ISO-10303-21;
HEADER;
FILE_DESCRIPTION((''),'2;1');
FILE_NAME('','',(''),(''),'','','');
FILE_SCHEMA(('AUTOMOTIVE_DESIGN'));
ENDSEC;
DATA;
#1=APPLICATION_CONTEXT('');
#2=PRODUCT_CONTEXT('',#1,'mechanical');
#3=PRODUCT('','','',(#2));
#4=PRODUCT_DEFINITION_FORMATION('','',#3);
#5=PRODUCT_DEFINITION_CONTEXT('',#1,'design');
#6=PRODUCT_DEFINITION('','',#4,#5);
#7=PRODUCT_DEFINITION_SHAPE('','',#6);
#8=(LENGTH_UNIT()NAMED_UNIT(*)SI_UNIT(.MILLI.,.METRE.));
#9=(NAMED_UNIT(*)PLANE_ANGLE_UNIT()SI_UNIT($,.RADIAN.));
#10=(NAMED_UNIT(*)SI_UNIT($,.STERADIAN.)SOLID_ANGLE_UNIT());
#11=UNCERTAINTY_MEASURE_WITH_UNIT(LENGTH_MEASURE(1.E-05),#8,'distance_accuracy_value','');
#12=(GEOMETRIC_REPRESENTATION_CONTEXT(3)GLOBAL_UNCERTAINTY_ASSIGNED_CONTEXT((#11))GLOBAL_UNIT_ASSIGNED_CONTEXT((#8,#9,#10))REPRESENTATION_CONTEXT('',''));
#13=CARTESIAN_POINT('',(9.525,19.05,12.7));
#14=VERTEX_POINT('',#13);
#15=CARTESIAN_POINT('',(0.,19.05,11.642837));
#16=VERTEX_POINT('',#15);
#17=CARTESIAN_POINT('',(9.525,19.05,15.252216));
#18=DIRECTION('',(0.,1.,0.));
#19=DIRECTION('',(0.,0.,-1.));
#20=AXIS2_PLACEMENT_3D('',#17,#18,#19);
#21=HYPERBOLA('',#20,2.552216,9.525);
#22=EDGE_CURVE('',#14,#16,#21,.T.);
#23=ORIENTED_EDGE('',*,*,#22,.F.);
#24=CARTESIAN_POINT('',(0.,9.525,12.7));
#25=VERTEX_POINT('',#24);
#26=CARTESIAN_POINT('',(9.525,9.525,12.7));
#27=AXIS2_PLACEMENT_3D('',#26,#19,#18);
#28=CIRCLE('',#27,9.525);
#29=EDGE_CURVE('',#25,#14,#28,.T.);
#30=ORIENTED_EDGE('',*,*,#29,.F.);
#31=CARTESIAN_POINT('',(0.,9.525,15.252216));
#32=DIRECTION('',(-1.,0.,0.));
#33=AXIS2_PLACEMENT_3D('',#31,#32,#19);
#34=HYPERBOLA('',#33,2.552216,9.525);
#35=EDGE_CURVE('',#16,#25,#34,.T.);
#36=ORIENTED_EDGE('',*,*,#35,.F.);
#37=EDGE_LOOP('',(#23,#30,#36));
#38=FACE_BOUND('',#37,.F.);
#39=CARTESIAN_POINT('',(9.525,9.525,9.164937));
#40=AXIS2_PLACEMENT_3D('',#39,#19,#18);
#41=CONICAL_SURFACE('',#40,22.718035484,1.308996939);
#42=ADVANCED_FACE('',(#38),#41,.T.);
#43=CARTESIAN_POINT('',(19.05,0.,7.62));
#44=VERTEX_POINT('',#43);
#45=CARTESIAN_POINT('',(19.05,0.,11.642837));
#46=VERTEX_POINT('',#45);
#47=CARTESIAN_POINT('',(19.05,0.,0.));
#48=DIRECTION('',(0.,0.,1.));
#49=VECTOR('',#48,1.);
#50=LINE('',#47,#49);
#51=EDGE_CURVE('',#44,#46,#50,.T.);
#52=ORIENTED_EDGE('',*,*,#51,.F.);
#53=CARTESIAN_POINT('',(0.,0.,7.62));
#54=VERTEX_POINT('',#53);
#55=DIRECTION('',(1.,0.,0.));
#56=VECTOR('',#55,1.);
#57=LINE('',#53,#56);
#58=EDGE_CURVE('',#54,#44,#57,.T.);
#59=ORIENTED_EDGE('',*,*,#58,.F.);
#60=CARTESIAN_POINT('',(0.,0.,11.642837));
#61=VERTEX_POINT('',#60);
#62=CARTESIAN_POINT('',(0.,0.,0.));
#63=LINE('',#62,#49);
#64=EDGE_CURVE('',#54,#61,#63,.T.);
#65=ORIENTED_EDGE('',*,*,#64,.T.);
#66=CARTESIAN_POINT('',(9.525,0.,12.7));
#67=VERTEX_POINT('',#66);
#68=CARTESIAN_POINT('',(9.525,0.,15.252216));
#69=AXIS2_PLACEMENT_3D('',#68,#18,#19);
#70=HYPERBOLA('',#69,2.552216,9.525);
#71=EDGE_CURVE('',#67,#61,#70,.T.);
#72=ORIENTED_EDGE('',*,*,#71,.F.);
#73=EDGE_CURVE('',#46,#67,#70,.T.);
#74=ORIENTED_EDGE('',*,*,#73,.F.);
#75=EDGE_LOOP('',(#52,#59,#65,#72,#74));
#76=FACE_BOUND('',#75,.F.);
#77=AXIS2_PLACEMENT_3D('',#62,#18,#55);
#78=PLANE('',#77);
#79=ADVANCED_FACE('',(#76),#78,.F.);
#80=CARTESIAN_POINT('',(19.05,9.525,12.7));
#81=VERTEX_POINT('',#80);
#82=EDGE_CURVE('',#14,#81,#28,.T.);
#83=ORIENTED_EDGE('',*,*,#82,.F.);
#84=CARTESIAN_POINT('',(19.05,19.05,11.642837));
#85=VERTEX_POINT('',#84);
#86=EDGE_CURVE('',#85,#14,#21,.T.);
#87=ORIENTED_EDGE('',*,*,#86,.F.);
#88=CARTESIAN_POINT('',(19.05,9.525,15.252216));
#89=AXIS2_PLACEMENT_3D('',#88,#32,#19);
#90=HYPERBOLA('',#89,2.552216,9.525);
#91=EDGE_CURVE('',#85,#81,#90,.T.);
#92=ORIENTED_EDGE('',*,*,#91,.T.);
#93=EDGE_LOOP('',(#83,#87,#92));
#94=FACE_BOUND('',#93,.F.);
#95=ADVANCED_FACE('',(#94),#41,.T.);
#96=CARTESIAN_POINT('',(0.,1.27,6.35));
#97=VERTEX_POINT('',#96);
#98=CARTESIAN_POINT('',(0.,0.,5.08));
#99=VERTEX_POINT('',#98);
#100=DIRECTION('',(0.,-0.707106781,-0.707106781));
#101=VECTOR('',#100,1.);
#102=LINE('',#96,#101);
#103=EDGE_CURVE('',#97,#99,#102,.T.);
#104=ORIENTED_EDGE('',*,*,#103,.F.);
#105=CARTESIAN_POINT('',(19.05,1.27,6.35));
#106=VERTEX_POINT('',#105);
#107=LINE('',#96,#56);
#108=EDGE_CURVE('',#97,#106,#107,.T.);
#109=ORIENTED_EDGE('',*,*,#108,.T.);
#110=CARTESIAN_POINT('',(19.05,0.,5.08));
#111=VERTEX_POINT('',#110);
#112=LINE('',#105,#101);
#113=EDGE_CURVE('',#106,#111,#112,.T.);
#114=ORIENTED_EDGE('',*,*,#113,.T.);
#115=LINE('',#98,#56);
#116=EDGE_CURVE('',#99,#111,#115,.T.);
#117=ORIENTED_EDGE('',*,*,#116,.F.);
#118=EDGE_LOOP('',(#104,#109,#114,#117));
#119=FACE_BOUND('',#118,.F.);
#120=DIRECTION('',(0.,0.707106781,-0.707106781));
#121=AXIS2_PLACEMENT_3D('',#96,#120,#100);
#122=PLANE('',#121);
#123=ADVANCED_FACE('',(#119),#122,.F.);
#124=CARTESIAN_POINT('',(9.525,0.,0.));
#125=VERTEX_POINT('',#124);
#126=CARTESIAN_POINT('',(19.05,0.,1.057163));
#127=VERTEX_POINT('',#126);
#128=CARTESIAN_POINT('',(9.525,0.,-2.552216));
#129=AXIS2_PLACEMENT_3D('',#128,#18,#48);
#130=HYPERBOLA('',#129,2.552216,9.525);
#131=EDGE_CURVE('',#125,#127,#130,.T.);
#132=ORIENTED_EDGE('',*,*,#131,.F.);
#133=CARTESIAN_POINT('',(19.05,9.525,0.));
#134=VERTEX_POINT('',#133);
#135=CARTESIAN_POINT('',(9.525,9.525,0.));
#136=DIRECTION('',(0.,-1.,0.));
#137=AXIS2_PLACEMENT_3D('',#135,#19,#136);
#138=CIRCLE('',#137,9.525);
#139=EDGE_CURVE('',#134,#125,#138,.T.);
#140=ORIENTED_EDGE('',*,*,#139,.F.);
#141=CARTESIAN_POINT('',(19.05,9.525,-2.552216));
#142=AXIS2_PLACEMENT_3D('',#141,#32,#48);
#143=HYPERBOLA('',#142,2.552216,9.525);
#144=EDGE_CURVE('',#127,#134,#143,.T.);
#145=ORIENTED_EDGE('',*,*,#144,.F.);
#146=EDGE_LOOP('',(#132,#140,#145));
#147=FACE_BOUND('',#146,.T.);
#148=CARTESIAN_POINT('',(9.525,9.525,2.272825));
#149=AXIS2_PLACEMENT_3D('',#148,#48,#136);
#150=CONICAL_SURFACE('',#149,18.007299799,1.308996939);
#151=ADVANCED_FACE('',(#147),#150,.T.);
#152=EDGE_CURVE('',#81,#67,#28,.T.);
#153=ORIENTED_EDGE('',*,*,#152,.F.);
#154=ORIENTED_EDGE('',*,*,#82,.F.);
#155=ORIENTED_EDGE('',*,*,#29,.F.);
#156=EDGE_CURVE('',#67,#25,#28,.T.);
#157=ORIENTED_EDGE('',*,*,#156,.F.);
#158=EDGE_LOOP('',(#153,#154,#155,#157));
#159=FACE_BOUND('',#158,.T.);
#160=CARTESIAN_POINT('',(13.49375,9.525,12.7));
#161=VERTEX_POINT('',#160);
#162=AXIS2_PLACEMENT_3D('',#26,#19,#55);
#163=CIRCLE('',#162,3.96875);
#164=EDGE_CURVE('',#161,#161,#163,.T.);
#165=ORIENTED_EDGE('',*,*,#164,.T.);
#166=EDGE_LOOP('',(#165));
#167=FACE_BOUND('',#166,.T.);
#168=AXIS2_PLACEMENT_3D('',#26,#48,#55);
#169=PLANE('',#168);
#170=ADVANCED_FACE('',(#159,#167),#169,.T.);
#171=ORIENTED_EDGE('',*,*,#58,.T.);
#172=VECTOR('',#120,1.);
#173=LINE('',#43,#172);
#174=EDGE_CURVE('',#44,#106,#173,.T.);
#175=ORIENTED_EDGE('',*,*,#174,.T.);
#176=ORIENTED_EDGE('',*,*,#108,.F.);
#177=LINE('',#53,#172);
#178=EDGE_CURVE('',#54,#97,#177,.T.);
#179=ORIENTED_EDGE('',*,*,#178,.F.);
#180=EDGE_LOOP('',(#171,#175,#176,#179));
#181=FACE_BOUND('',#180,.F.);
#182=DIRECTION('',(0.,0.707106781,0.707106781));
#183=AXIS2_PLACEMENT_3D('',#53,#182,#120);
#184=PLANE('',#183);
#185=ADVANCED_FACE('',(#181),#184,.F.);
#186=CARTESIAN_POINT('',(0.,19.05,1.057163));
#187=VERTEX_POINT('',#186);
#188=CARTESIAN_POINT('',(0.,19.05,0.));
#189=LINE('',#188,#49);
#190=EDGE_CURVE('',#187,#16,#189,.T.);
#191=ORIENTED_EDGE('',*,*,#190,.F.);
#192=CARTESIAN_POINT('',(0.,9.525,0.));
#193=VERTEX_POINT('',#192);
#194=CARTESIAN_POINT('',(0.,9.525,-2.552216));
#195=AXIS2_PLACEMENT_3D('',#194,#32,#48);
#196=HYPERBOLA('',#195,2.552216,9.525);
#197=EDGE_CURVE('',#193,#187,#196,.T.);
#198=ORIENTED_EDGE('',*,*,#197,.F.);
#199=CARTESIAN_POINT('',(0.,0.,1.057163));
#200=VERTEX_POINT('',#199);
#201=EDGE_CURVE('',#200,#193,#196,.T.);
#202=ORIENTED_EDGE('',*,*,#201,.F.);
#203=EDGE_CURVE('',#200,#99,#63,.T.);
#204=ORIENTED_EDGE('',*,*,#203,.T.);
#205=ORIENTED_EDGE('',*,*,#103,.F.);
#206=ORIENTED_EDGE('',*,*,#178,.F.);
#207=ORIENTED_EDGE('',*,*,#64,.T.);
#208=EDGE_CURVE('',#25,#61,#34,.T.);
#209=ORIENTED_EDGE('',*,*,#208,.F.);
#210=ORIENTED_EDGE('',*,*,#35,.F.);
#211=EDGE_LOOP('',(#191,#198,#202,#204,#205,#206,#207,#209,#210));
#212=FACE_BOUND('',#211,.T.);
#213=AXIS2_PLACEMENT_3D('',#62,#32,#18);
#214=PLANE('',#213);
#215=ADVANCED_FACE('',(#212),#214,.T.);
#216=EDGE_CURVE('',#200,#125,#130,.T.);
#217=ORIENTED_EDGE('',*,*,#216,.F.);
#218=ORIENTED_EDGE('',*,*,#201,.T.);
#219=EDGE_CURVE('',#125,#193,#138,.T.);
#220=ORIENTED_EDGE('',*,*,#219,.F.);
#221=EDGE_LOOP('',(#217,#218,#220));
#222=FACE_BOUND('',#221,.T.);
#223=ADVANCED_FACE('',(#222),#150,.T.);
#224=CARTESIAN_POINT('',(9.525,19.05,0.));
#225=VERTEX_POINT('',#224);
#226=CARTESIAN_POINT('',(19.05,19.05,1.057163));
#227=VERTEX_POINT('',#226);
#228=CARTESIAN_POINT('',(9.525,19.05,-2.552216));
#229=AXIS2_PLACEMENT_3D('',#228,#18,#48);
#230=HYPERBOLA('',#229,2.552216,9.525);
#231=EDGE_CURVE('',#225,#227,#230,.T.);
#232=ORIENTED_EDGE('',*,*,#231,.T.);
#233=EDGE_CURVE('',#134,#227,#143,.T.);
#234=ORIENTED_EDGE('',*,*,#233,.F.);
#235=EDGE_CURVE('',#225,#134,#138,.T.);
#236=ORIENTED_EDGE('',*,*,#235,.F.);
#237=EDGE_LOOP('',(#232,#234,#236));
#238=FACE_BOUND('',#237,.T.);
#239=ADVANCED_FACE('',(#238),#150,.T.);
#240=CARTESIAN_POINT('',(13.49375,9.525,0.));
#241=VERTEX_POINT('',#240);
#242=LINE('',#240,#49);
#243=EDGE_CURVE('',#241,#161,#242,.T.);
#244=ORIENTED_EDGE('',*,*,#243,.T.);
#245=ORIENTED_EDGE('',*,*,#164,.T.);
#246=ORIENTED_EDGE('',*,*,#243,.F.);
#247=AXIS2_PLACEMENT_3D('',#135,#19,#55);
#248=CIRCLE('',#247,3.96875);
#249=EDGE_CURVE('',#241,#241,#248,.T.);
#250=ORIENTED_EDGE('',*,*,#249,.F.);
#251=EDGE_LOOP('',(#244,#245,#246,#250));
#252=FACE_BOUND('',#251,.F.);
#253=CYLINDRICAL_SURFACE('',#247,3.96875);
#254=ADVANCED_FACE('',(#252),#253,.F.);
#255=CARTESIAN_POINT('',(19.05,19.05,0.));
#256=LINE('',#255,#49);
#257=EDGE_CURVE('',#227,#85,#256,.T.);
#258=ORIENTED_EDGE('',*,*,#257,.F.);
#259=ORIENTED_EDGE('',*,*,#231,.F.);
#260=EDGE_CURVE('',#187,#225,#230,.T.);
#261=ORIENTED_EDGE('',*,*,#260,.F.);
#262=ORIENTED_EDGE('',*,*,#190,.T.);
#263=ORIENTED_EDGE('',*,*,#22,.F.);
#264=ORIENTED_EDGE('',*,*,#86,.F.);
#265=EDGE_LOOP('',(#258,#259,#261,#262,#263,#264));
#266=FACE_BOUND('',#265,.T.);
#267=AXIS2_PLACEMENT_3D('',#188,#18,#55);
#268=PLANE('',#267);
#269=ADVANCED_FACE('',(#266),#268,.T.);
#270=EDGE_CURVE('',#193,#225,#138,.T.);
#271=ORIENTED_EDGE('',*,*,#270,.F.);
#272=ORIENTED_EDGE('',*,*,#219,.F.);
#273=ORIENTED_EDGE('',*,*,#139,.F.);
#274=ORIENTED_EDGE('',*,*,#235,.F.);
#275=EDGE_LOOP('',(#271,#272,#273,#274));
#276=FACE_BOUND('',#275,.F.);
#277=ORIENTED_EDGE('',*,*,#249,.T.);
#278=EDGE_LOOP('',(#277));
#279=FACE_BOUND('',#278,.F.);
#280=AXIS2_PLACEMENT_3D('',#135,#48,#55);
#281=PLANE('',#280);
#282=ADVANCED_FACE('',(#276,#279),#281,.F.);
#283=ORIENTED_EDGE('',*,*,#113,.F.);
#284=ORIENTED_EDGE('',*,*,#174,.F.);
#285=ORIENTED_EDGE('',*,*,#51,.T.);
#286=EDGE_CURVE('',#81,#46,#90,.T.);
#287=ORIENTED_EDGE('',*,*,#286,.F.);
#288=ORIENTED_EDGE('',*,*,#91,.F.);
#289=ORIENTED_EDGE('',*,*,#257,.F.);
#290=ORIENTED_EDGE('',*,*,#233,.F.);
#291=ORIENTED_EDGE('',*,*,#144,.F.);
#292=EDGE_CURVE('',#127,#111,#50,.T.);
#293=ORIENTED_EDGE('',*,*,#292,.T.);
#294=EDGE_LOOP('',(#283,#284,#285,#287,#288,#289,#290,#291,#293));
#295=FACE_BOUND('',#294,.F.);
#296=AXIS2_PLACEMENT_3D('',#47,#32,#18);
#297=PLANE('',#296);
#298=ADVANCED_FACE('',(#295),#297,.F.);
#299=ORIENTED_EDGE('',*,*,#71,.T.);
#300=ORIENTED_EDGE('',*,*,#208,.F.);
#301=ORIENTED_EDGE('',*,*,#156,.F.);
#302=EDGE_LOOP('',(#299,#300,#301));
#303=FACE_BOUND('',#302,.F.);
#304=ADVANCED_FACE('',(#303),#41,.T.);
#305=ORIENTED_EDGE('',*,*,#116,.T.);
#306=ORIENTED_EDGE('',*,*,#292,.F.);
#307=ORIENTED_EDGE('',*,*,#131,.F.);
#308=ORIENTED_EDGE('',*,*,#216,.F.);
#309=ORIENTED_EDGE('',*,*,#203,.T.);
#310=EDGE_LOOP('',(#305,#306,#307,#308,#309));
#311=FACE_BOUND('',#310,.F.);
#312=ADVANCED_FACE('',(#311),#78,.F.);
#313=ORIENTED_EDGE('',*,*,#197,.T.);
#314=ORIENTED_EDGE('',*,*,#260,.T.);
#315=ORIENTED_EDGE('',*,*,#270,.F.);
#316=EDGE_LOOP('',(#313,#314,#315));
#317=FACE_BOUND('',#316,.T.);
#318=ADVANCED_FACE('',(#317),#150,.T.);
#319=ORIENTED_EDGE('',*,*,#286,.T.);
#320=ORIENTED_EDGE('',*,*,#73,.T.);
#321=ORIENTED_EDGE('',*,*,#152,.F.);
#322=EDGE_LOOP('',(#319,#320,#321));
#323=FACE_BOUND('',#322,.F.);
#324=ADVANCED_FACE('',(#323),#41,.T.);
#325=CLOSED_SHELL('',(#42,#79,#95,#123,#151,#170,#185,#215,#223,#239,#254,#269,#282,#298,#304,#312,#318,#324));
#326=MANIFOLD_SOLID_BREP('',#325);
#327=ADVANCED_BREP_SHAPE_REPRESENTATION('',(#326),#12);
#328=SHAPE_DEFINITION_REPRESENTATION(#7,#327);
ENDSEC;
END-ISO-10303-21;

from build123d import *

# Parameters (mm, degrees)
F0_W     = 19.05
F0_H     = 19.05
F1_DEPTH = 12.7
F3_DEPTH = 19.05
F6_R     = 3.96875
F7_DEPTH = 19.05


with BuildPart() as f1:
    # F0 (on Top) → F1 (new body)
    with BuildSketch(Plane.XY):
        with Locations((9.525, 9.525)):
            Rectangle(F0_W, F0_H)
    extrude(amount=F1_DEPTH)

    # F2 (on face) → F3 (cut)
    with BuildSketch(Plane(origin=(0, 0, 0), x_dir=(0, -1, 0), z_dir=(-1, 0, 0))):
        Polygon((0, 7.62), (-1.27, 6.35), (0, 5.08), align=None)
    extrude(amount=-F3_DEPTH, mode=Mode.SUBTRACT)

    # F6 (on face) → F7 (cut)
    with BuildSketch(Plane(origin=(0, 0, 0), x_dir=(1, 0, 0), z_dir=(0, 0, -1))):
        with Locations((9.525, -9.525)):
            Circle(F6_R)
    extrude(amount=-F7_DEPTH, mode=Mode.SUBTRACT)

    # F8 (on mid) + F5 (on mid) → F9 (revolve, cut)
    with BuildSketch(Plane(origin=(9.525, 0, 0), x_dir=(0, -1, 0), z_dir=(-1, 0, 0))):
        Polygon((-32.2430354842, 9.1649367963), (-19.05, 12.7), (-32.2430354842, 16.2350632037), align=None)
    with BuildSketch(Plane(origin=(9.525, 0, 0), x_dir=(0, -1, 0), z_dir=(-1, 0, 0))):
        Polygon((8.4822997993, 2.2728253812), (0, 0), (8.4822997993, 0), align=None)
    revolve(axis=Axis((9.525, 9.525, 12.7), (0, 0, -1)), mode=Mode.SUBTRACT)


solid = f1.part
